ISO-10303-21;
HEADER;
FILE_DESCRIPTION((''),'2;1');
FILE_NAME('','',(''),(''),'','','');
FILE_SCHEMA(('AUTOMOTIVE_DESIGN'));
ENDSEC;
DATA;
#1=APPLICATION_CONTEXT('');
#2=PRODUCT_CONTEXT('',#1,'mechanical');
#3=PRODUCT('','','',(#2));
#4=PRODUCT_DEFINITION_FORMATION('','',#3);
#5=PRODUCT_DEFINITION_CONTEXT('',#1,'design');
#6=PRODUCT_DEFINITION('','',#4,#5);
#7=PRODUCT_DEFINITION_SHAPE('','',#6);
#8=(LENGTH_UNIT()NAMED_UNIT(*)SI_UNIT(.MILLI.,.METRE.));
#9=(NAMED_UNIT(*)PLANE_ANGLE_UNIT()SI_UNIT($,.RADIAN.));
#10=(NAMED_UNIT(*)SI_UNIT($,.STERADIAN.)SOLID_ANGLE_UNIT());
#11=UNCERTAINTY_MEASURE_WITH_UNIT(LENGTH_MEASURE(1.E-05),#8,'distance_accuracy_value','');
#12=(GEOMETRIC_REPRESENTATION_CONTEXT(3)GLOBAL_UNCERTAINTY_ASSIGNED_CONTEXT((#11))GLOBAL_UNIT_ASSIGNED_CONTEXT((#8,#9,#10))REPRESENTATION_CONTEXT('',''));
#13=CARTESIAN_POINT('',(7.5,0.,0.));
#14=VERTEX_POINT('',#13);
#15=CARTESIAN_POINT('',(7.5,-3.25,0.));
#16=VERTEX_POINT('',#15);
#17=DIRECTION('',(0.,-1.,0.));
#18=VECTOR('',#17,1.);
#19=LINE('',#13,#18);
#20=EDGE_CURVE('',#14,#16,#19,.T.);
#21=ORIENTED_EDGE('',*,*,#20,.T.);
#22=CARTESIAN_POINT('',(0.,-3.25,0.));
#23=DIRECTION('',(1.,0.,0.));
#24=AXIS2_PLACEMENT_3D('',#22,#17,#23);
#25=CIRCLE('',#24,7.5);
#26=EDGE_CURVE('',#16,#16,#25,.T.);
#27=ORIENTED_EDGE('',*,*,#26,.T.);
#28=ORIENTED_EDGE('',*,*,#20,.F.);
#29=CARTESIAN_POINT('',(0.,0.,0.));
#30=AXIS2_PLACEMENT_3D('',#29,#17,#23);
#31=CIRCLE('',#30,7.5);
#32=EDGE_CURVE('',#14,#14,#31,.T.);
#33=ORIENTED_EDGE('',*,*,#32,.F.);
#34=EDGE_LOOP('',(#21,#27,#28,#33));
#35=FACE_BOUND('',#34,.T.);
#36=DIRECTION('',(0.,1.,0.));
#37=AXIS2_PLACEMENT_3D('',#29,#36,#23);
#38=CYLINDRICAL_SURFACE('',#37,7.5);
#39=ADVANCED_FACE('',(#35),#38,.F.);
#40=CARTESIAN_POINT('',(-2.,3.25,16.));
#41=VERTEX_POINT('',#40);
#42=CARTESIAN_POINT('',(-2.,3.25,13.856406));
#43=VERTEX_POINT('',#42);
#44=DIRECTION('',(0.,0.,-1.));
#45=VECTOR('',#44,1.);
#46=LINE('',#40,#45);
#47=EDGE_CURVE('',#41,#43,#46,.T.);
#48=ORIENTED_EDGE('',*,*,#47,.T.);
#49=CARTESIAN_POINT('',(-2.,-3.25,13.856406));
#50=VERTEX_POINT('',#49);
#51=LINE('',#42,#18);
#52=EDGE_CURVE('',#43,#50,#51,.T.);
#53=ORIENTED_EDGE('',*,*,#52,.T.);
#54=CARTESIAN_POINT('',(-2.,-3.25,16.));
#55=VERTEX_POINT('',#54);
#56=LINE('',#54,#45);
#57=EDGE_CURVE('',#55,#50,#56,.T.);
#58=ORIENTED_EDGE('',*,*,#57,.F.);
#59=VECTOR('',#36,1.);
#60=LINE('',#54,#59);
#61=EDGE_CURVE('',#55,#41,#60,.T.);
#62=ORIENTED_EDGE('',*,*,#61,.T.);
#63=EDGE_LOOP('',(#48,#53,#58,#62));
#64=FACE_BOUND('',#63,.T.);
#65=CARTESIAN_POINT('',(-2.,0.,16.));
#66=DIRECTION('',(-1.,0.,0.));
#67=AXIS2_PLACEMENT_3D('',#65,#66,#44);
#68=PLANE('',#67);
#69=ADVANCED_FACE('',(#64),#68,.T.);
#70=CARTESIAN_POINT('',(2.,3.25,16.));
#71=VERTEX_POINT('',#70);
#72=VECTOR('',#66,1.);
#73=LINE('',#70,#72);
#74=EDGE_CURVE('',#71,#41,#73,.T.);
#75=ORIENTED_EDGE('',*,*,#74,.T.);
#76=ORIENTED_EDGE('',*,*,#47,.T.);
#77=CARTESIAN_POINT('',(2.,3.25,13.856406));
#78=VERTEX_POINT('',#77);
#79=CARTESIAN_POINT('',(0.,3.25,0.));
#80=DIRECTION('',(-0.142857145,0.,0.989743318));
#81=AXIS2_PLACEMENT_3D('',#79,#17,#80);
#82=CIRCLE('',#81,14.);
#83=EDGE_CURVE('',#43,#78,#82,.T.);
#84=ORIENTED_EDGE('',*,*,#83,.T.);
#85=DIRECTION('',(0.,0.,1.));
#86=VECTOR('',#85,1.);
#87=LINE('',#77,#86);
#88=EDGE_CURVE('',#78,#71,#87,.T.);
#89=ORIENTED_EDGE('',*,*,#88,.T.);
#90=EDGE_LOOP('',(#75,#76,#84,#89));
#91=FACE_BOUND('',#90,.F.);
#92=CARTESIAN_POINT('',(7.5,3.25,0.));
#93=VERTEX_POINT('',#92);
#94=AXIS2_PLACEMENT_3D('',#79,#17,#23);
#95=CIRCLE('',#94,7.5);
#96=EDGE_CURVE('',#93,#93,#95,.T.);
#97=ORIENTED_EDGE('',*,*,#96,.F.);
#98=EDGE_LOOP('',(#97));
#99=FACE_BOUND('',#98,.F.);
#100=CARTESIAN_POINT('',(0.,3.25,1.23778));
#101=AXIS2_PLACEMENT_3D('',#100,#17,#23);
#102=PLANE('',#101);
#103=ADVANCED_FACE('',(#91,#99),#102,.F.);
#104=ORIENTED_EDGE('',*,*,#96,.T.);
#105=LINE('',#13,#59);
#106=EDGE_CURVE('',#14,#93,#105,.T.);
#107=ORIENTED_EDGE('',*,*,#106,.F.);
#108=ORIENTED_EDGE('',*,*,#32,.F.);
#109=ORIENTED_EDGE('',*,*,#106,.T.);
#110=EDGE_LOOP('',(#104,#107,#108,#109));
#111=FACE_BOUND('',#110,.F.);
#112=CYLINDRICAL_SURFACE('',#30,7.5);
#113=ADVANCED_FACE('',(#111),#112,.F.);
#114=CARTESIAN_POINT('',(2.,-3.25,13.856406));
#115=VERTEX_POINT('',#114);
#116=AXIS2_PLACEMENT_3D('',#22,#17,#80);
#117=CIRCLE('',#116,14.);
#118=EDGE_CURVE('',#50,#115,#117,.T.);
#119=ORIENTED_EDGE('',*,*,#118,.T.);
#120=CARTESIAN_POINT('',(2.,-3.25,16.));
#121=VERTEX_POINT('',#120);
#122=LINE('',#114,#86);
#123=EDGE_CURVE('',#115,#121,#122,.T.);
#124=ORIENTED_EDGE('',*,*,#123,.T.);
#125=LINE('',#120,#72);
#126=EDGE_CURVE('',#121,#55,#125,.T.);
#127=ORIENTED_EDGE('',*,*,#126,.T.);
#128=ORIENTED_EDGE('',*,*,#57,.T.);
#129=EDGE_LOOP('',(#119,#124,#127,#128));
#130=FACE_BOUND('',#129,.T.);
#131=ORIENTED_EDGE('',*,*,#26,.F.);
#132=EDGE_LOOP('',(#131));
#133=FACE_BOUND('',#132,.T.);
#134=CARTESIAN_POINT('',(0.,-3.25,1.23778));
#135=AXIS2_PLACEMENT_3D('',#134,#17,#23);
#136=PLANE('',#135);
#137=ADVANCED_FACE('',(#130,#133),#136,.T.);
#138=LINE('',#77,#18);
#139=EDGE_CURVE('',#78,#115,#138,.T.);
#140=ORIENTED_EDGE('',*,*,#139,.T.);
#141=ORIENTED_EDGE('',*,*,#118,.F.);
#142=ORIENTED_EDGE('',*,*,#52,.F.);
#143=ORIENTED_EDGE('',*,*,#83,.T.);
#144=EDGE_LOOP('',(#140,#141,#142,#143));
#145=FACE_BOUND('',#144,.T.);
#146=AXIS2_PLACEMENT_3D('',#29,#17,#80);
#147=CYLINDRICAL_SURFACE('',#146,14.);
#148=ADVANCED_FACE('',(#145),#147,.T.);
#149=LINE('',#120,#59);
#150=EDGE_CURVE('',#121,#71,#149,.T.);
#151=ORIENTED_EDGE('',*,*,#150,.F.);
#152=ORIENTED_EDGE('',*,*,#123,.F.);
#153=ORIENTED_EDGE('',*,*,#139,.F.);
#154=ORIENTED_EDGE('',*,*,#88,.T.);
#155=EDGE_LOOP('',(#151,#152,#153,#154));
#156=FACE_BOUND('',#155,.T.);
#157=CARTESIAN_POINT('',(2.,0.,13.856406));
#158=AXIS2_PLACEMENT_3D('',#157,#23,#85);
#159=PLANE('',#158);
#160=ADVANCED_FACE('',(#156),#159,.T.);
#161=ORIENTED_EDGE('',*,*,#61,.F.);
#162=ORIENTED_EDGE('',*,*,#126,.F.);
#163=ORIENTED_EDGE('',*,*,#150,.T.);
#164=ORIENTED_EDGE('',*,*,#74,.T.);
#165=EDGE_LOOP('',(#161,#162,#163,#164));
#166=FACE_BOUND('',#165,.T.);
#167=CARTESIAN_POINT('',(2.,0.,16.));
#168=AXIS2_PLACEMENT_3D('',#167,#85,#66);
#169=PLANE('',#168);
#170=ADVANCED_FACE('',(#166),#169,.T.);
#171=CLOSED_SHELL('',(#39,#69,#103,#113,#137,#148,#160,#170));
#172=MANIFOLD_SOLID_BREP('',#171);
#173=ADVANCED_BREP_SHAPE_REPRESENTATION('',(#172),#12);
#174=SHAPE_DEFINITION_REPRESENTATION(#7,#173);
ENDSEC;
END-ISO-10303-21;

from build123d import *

# Parameters (mm, degrees)
F0_R          = 7.5
F1_DEPTH      = 3.25
F1_DEPTH_BACK = 3.25


with BuildPart() as f1:
    # F0 (on Front) → F1 (new body, two sides)
    with BuildSketch(Plane.XZ) as f1_sk:
        with BuildLine():
            Line((-2, 16), (-2, 13.856406))
            ThreePointArc((-2, 13.856406), (0, -14), (2, 13.856406))
            Line((2, 13.856406), (2, 16))
            Line((2, 16), (-2, 16))
        make_face()
        Circle(F0_R, mode=Mode.SUBTRACT)
    extrude(amount=F1_DEPTH)
    extrude(f1_sk.sketch, amount=-F1_DEPTH_BACK)


solid = f1.part
